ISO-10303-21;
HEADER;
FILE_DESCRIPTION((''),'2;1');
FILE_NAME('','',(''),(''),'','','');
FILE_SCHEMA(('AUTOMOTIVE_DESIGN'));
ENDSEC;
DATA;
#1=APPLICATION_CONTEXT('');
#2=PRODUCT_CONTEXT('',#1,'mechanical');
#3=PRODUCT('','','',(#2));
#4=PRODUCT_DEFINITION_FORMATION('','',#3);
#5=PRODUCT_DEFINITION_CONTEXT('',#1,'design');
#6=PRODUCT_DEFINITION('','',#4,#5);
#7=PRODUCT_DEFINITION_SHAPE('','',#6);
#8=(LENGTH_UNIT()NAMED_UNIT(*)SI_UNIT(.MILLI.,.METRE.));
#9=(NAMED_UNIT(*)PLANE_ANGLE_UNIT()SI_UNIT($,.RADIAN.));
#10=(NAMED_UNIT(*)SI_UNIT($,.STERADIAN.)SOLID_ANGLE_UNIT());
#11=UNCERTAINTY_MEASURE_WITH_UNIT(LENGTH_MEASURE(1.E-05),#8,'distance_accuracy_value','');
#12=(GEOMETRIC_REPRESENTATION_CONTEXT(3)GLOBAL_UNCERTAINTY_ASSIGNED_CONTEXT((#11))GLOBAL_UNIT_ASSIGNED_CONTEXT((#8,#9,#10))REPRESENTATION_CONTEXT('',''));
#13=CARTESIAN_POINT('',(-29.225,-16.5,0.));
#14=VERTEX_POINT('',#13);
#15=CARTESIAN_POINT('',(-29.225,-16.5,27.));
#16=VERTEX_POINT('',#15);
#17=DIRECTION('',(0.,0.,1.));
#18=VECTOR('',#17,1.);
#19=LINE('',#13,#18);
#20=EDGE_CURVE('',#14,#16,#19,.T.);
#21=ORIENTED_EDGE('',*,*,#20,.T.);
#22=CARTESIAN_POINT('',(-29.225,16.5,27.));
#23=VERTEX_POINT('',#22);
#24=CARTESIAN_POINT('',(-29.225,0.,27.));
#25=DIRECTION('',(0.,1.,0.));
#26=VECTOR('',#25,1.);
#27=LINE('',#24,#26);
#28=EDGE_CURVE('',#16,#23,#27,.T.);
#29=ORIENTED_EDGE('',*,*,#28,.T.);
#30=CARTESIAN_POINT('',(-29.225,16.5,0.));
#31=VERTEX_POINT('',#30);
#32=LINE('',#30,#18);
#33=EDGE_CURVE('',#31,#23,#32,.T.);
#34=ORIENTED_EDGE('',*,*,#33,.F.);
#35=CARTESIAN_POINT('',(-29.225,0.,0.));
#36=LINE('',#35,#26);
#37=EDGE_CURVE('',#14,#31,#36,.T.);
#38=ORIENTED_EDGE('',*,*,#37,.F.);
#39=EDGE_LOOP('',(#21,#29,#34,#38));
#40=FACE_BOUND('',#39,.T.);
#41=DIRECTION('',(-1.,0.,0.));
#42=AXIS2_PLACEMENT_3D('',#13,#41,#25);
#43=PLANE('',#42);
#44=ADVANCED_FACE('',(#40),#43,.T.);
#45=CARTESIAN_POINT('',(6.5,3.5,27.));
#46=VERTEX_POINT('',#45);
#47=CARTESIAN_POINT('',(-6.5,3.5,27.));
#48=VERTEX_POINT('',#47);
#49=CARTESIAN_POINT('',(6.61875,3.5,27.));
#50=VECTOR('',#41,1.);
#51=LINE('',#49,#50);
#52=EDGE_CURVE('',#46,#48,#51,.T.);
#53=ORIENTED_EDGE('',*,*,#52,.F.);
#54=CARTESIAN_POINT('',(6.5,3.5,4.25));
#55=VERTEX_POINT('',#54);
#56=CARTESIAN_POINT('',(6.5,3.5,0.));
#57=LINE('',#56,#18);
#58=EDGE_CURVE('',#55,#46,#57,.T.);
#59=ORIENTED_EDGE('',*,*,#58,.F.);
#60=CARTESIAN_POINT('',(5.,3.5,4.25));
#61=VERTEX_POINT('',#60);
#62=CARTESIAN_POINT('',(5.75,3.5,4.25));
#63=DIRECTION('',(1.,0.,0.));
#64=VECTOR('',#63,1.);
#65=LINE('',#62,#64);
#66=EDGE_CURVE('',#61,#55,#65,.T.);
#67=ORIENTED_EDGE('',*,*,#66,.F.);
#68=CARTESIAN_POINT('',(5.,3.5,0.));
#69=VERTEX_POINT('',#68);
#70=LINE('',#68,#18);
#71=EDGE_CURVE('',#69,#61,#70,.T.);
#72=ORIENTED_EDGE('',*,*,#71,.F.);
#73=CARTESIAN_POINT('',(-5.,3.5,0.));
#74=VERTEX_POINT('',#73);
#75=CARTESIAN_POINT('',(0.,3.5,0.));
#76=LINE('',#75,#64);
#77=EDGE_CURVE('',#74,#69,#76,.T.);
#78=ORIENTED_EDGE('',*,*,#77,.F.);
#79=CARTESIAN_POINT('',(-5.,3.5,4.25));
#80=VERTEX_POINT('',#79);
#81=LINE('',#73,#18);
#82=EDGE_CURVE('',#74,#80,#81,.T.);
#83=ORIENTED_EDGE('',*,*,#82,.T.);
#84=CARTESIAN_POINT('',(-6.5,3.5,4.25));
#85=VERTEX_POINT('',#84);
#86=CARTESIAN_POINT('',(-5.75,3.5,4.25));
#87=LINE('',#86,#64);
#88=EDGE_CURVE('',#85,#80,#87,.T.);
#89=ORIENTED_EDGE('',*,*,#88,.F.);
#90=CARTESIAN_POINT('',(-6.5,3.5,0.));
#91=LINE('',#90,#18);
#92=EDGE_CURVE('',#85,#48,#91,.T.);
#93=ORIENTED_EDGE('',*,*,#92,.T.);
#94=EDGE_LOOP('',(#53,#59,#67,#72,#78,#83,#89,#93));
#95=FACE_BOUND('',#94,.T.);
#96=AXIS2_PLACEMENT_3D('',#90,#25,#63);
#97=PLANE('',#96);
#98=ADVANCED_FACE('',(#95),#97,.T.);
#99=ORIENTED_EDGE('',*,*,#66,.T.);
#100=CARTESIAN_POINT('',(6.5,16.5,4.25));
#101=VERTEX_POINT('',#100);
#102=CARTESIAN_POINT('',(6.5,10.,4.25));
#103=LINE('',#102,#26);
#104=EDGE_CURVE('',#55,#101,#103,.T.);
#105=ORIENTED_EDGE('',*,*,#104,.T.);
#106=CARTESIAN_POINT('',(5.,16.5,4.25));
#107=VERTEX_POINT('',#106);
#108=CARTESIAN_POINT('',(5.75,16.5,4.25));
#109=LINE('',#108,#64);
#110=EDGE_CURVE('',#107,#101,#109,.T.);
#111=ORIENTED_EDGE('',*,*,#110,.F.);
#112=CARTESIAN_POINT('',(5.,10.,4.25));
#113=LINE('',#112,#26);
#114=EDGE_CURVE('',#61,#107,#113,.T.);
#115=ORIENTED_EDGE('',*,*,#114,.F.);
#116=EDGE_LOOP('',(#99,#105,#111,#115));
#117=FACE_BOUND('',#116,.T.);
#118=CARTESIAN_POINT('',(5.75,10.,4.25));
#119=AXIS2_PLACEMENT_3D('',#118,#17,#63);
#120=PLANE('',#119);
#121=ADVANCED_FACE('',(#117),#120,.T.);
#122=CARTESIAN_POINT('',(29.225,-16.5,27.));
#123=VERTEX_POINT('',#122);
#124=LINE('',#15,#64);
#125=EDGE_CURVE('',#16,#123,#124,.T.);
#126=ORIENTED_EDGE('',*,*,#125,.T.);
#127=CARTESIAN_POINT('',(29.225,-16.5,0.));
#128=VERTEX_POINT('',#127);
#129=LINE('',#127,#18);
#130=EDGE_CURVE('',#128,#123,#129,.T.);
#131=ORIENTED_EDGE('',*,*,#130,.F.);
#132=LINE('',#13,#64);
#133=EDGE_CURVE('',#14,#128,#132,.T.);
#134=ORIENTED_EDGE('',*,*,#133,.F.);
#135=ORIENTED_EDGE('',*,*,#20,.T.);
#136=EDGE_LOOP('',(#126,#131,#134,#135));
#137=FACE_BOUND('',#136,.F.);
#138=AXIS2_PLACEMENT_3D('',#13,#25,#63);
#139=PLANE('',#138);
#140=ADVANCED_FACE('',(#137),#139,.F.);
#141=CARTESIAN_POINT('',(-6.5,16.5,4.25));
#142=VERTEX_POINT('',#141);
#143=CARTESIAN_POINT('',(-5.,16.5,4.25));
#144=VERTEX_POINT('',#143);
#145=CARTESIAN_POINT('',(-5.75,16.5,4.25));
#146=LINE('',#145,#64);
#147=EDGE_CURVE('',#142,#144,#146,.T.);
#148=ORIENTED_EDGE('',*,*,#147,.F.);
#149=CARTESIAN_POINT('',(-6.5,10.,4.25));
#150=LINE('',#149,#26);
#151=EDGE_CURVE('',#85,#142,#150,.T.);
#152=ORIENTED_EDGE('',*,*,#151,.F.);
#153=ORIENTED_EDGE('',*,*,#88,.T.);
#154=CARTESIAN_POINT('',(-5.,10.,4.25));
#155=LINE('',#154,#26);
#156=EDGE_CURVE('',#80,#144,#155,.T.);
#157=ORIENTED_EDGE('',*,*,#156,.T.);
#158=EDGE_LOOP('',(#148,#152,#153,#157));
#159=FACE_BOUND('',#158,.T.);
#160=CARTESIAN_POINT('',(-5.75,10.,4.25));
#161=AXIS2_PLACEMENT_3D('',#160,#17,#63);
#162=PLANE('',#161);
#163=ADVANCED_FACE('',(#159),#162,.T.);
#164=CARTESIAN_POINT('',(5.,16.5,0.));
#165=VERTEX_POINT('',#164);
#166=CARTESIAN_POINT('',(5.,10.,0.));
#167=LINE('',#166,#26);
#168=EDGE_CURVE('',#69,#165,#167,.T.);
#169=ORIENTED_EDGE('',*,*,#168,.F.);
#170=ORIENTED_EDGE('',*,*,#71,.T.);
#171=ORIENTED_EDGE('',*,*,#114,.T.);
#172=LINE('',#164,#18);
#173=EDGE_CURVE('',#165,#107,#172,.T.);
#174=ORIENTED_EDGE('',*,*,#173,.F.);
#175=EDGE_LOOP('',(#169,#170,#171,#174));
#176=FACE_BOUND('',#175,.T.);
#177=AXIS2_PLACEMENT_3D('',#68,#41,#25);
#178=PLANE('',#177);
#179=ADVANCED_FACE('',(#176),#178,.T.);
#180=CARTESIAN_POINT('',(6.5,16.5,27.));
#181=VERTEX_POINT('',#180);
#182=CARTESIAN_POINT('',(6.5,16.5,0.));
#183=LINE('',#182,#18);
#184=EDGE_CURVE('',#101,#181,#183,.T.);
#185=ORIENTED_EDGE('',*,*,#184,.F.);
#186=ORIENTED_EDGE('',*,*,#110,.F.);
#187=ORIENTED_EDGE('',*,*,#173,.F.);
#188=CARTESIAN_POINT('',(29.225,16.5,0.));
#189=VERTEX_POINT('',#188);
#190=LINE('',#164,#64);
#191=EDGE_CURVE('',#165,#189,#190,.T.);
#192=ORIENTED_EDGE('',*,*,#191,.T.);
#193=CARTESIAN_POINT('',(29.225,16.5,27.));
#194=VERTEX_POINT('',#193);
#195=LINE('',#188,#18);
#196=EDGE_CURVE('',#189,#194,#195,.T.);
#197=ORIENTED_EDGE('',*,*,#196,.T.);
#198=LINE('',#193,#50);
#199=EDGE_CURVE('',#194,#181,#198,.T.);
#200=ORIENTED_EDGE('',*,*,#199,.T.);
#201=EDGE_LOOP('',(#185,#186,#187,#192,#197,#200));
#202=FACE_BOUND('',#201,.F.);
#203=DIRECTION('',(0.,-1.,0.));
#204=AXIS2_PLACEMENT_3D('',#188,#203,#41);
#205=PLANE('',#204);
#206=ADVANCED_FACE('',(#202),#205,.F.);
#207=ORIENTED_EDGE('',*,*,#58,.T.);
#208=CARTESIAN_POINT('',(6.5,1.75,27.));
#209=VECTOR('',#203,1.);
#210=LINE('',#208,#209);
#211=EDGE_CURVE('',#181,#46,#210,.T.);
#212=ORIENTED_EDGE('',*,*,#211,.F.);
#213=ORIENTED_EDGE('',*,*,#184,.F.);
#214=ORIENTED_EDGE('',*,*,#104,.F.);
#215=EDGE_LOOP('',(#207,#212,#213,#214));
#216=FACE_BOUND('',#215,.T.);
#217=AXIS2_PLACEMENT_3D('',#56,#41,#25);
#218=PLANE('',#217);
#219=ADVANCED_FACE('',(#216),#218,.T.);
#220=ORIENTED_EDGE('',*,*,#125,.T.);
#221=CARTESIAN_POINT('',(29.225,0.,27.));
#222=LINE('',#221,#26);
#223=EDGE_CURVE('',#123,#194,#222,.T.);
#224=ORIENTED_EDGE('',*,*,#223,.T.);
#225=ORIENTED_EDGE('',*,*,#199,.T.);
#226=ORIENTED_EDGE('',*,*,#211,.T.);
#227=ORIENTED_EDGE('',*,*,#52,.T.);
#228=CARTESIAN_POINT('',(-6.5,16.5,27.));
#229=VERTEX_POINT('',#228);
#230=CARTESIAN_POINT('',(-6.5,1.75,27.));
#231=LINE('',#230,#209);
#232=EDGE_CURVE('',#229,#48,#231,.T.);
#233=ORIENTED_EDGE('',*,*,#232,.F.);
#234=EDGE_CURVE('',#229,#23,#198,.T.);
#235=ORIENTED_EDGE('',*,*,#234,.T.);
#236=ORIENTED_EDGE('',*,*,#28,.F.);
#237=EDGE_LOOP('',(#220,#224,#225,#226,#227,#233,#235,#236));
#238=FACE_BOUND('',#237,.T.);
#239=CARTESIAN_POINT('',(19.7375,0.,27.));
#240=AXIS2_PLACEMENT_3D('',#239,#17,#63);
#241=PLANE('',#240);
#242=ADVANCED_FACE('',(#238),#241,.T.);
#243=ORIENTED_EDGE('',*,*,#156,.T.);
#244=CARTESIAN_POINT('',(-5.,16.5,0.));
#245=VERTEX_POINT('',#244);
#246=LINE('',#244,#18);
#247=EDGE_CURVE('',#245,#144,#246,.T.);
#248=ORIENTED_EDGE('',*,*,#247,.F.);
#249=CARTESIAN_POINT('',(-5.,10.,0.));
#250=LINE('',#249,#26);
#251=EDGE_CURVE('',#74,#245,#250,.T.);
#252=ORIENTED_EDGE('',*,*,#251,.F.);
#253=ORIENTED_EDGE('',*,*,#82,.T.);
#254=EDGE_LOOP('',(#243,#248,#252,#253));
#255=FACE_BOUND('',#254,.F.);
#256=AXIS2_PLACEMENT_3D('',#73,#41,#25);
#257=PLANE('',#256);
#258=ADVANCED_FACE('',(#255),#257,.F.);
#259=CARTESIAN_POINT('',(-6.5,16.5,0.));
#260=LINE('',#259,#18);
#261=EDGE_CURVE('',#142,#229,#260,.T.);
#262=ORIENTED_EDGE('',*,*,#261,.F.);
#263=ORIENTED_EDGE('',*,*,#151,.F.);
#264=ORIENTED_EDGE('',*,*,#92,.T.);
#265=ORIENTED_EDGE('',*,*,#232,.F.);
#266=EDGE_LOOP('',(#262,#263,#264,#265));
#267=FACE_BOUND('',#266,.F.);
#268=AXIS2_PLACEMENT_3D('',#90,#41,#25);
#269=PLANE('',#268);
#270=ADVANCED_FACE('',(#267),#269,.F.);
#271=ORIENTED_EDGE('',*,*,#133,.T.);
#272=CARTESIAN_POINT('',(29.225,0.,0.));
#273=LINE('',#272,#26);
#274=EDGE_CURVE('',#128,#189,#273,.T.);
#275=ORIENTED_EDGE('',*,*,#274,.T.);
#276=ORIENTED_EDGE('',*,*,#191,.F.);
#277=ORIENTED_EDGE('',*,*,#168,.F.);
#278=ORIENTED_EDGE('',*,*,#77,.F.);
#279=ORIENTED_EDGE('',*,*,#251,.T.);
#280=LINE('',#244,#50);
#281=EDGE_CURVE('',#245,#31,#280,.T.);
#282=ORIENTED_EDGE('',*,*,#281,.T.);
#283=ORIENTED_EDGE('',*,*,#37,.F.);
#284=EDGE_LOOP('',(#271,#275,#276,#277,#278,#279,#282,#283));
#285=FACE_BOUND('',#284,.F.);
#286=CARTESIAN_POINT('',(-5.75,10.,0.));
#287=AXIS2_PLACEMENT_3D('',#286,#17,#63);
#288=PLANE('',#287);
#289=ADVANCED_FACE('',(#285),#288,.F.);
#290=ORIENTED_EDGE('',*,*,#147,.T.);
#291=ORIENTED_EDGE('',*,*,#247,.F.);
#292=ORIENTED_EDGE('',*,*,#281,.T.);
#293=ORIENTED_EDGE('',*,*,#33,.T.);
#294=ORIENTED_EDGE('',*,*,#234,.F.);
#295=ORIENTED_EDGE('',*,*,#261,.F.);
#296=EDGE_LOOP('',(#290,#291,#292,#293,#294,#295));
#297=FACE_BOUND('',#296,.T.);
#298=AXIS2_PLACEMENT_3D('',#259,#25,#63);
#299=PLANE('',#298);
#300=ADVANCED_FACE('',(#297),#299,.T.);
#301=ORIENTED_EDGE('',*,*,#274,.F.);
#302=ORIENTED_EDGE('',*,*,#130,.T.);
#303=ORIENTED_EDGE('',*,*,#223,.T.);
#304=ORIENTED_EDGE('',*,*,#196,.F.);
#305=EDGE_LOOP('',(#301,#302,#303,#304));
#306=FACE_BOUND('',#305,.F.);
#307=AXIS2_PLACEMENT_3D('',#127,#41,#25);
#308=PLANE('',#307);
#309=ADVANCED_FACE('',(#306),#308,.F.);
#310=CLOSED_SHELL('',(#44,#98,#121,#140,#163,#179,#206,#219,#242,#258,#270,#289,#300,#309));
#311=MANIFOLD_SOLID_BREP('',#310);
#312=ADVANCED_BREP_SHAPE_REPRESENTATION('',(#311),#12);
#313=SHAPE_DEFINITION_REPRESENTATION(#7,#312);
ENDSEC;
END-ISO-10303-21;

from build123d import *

# Parameters (mm, degrees)
F0_W     = 18.975
F0_H     = 33
F0_W_2   = 20.5
F1_DEPTH = 27
F2_W     = 13
F2_H     = 13
F3_DEPTH = 27.001
F4_W     = 1.5
F4_H     = 13
F5_DEPTH = 4.25


with BuildPart() as f1:
    # F0 (on Top) → F1 (new body)
    with BuildSketch(Plane.XY):
        with Locations((19.7375, 0)):
            Rectangle(F0_W, F0_H)
        Rectangle(F0_W_2, F0_H)
        with Locations((-19.7375, 0)):
            Rectangle(F0_W, F0_H)
    extrude(amount=F1_DEPTH)

    # F2 (on face) → F3 (cut, through all)
    with BuildSketch(Plane.XY):
        with Locations((0, 10)):
            Rectangle(F2_W, F2_H)
    extrude(amount=F3_DEPTH, mode=Mode.SUBTRACT)

    # F4 (on face) → F5 (join)
    with BuildSketch(Plane.XY):
        with Locations((-5.75, 10)):
            Rectangle(F4_W, F4_H)
        with Locations((5.75, 10)):
            Rectangle(F4_W, F4_H)
    extrude(amount=F5_DEPTH)


solid = f1.part
